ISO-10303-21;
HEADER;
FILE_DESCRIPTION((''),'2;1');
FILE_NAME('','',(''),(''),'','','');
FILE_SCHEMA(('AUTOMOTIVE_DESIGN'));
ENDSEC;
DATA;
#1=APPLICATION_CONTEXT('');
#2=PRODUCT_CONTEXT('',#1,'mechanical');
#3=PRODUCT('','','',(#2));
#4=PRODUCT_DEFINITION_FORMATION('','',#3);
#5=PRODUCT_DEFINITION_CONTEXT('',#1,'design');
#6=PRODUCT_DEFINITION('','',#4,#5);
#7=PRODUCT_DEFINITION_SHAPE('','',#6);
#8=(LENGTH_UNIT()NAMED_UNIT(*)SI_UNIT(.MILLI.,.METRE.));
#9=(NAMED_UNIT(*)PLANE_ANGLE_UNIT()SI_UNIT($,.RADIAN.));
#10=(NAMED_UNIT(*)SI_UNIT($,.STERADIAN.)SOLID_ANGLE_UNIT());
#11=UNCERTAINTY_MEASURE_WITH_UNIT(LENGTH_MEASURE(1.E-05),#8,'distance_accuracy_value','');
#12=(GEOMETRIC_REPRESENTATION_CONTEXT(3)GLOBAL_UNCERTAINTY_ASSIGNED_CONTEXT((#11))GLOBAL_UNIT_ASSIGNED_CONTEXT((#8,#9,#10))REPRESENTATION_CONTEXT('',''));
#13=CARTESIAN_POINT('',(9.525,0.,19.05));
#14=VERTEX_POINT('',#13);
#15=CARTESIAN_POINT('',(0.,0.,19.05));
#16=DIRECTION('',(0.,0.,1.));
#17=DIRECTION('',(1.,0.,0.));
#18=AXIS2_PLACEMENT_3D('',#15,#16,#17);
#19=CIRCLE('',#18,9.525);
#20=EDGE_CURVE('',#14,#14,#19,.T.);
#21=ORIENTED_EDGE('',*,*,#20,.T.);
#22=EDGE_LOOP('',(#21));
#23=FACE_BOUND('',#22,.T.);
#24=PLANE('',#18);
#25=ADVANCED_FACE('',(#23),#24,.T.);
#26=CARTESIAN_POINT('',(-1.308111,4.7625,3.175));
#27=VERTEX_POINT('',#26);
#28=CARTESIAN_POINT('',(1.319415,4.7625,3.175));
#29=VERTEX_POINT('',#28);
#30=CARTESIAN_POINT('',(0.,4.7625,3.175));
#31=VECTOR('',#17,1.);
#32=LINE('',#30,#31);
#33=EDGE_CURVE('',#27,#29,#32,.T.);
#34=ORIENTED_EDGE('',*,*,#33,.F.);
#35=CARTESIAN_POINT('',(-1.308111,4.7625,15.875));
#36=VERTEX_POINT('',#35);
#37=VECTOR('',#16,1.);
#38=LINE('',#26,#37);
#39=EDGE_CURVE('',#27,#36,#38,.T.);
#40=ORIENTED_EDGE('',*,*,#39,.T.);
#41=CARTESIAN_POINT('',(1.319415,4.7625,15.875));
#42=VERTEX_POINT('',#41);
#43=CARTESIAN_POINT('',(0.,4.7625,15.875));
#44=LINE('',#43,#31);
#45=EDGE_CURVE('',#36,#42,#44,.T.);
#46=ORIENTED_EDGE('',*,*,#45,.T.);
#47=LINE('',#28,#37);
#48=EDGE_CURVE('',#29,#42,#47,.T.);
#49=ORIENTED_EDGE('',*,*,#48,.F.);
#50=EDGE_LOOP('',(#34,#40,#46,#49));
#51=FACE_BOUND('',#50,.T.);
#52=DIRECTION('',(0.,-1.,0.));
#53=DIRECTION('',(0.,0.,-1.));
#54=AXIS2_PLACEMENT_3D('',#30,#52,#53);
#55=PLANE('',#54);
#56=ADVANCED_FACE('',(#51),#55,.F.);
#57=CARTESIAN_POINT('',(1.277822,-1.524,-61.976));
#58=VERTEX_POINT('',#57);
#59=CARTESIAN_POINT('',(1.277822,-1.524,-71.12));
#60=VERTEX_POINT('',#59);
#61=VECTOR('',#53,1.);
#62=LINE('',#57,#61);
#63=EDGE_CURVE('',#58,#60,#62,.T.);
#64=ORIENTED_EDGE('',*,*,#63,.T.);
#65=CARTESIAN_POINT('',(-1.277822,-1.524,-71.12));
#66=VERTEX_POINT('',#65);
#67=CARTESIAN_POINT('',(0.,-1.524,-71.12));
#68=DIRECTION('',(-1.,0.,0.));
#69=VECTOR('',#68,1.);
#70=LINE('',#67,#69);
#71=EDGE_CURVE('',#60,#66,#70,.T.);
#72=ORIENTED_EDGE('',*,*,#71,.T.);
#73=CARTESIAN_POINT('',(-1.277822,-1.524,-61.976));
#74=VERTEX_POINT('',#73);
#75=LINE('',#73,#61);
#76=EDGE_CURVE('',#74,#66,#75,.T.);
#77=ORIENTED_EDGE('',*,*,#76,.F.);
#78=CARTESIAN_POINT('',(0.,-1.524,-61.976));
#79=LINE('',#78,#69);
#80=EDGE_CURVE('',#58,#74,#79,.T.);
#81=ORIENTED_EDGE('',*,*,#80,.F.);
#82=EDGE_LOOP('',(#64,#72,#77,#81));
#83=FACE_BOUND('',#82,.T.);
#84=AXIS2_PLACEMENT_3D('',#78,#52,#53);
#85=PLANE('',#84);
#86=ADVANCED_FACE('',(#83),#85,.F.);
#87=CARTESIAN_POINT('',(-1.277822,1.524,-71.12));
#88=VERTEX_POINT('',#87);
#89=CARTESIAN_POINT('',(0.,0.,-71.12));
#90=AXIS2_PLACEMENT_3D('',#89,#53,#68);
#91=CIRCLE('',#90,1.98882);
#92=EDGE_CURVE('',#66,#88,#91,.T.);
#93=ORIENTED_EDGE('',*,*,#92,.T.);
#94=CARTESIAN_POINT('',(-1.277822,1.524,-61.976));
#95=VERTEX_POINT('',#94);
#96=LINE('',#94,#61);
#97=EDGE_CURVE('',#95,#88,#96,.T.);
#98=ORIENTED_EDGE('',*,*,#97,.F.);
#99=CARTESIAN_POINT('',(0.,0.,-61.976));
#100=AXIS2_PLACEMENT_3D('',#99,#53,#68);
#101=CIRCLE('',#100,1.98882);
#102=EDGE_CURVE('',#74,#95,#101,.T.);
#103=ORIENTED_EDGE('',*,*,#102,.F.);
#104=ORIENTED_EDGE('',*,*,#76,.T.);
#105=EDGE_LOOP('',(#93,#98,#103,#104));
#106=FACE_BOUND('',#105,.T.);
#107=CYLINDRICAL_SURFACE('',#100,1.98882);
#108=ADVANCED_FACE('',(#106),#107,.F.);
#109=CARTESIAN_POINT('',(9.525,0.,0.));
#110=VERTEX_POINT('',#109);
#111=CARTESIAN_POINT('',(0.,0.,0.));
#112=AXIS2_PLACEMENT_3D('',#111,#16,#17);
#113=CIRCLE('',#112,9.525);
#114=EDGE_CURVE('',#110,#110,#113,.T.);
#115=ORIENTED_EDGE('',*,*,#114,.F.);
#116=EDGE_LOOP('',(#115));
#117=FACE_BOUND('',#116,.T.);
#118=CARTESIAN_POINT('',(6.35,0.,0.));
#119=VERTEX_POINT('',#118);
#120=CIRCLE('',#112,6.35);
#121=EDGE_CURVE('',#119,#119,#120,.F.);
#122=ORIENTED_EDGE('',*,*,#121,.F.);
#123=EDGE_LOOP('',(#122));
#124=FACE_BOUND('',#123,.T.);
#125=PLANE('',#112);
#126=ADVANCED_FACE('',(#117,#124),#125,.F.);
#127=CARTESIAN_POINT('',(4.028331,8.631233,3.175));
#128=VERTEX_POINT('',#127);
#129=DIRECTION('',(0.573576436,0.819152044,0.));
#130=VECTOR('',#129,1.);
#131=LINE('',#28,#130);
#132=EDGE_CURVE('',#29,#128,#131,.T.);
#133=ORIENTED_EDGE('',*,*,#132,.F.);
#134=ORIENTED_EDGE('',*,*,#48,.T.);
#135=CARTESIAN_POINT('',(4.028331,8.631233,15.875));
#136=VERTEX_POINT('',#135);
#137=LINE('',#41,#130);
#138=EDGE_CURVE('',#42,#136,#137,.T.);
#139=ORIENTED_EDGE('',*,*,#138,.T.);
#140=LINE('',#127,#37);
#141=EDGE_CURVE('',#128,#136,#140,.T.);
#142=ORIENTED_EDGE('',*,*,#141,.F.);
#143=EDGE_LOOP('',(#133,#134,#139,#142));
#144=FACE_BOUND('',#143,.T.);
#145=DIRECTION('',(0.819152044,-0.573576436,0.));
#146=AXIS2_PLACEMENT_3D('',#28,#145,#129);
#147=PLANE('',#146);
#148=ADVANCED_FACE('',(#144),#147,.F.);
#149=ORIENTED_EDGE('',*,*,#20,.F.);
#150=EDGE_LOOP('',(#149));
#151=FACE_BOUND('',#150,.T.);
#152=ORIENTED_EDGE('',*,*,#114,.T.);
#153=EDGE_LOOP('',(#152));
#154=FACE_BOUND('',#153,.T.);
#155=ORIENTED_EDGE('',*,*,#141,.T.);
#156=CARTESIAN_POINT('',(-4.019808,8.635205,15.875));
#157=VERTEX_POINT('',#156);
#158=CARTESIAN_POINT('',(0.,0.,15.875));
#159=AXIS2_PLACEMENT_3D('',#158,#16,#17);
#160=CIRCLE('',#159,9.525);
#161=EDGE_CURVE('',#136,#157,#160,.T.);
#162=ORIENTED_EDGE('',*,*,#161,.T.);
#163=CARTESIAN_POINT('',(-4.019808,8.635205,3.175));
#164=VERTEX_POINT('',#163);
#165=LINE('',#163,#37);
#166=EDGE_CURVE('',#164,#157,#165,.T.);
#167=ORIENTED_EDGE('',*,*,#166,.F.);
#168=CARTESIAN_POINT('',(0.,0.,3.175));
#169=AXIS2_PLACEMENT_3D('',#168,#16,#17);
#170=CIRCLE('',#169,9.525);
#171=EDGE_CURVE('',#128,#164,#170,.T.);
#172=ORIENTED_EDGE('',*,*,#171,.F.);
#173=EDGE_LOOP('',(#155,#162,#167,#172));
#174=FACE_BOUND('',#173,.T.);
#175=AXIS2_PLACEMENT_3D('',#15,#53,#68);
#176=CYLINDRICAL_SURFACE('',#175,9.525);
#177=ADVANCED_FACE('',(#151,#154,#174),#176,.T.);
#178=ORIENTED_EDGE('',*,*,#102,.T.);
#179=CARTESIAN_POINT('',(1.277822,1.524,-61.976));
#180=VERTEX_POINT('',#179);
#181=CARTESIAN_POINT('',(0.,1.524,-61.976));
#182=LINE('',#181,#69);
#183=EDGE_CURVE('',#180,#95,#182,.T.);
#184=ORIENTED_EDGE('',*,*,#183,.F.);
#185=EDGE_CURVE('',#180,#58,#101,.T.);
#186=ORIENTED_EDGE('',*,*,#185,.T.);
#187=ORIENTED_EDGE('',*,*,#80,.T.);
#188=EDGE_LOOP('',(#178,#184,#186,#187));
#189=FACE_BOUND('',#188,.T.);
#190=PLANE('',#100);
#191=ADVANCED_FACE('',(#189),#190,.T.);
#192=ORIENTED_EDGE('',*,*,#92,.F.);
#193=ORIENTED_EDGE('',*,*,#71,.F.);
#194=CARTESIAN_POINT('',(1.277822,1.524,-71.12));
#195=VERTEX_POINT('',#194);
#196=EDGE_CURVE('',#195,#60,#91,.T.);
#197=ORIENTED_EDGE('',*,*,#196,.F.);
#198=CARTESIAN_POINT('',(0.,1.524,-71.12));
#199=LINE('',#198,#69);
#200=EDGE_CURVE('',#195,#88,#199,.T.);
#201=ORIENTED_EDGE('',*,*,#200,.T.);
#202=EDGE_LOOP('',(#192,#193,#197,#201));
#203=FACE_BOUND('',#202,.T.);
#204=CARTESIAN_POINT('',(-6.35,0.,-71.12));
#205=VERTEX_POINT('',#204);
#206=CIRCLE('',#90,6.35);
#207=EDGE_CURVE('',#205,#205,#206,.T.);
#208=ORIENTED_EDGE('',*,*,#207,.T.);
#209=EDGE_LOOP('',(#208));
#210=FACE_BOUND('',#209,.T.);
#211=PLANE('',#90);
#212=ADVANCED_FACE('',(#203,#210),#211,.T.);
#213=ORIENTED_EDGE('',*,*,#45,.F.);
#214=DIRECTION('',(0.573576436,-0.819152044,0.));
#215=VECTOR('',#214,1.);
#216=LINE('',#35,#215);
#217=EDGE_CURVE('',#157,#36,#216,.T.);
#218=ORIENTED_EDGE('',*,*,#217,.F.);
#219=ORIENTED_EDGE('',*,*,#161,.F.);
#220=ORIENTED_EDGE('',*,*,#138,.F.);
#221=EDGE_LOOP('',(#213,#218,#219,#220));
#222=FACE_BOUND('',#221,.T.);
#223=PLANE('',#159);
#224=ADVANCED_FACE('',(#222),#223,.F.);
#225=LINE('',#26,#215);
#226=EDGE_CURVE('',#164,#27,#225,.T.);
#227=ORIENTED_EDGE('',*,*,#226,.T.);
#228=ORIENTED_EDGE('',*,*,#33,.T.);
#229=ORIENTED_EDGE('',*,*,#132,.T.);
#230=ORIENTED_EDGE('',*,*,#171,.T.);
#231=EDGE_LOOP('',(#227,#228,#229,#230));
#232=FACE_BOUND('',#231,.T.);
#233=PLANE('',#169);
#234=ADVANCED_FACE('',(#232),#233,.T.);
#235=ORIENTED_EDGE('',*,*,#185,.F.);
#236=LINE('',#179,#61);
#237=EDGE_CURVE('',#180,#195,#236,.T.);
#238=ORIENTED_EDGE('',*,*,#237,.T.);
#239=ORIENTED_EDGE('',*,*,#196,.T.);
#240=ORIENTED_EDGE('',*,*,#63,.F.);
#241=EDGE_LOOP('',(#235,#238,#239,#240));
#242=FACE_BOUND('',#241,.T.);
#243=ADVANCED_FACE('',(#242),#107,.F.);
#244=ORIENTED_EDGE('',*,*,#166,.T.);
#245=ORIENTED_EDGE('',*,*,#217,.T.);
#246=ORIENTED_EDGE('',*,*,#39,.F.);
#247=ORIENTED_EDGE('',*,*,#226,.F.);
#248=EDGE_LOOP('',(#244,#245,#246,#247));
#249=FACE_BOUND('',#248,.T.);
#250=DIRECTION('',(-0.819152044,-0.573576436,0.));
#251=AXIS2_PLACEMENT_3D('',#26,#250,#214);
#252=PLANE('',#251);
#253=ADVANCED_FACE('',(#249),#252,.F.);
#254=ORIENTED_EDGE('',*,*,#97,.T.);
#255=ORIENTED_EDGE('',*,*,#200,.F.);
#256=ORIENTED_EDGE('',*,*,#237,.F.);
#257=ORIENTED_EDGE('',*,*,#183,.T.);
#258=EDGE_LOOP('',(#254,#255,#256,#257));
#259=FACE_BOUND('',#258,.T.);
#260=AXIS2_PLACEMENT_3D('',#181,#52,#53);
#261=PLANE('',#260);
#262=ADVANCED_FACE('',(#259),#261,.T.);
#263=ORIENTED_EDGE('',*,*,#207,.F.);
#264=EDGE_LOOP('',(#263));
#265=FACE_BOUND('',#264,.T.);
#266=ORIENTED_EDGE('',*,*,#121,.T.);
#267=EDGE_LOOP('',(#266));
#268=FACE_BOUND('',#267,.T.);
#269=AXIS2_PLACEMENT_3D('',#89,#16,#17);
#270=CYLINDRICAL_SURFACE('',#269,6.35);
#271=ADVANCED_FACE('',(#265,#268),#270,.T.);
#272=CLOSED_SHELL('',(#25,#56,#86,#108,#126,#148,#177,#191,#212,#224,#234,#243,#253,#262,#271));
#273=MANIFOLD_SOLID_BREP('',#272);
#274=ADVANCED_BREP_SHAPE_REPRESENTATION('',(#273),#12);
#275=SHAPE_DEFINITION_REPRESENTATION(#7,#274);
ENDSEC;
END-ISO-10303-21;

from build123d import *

# Parameters (mm, degrees)
SKETCH1_R           = 9.525
BOSS_EXTRUDE1_DEPTH = 19.05
SKETCH2_R           = 6.35
BOSS_EXTRUDE2_DEPTH = 71.12
CUT_EXTRUDE1_DEPTH  = 9.144
CUT_EXTRUDE2_START  = -3.175
CUT_EXTRUDE2_DEPTH  = 12.7


with BuildPart() as part:
    # Sketch1 → Boss-Extrude1 (new body)
    with BuildSketch(Plane.XY):
        Circle(SKETCH1_R)
    extrude(amount=BOSS_EXTRUDE1_DEPTH)

    # Sketch2 → Boss-Extrude2 (add)
    with BuildSketch(Plane(origin=(0, 0, 0), x_dir=(-1, 0, 0), z_dir=(0, 0, -1))):
        with Locations(Location((0, 0, 0), (0, 0, 180))):  # turned: the seam where the file's is
            Circle(SKETCH2_R)
    extrude(amount=BOSS_EXTRUDE2_DEPTH)

    # Sketch3 → Cut-Extrude1 (cut)
    with BuildSketch(Plane(origin=(0, 0, -71.12), x_dir=(-1, 0, 0), z_dir=(0, 0, -1))):
        with BuildLine():
            Line((-1.277821972, 1.524), (1.277821972, 1.524))
            ThreePointArc((1.277821972, 1.524), (1.98882, 0), (1.277821972, -1.524))
            Line((1.277821972, -1.524), (-1.277821972, -1.524))
            ThreePointArc((-1.277821972, -1.524), (-1.98882, 0), (-1.277821972, 1.524))
        make_face()
    extrude(amount=-CUT_EXTRUDE1_DEPTH, mode=Mode.SUBTRACT)

    # Sketch4 → Cut-Extrude2 (cut)
    with BuildSketch(Plane.XY.offset(19.05).offset(CUT_EXTRUDE2_START)):
        with BuildLine():
            Line((0, 4.7625), (-1.308111225, 4.7625))
            Line((-1.308111225, 4.7625), (-4.019808446, 8.635204981))
            ThreePointArc((-4.019808446, 8.635204981), (0.004701224, 9.52499884), (4.028330588, 8.631232686))
            Line((4.028330588, 8.631232686), (1.319414798, 4.7625))
            Line((1.319414798, 4.7625), (0, 4.7625))
        make_face()
    extrude(amount=-CUT_EXTRUDE2_DEPTH, mode=Mode.SUBTRACT)


solid = part.part
